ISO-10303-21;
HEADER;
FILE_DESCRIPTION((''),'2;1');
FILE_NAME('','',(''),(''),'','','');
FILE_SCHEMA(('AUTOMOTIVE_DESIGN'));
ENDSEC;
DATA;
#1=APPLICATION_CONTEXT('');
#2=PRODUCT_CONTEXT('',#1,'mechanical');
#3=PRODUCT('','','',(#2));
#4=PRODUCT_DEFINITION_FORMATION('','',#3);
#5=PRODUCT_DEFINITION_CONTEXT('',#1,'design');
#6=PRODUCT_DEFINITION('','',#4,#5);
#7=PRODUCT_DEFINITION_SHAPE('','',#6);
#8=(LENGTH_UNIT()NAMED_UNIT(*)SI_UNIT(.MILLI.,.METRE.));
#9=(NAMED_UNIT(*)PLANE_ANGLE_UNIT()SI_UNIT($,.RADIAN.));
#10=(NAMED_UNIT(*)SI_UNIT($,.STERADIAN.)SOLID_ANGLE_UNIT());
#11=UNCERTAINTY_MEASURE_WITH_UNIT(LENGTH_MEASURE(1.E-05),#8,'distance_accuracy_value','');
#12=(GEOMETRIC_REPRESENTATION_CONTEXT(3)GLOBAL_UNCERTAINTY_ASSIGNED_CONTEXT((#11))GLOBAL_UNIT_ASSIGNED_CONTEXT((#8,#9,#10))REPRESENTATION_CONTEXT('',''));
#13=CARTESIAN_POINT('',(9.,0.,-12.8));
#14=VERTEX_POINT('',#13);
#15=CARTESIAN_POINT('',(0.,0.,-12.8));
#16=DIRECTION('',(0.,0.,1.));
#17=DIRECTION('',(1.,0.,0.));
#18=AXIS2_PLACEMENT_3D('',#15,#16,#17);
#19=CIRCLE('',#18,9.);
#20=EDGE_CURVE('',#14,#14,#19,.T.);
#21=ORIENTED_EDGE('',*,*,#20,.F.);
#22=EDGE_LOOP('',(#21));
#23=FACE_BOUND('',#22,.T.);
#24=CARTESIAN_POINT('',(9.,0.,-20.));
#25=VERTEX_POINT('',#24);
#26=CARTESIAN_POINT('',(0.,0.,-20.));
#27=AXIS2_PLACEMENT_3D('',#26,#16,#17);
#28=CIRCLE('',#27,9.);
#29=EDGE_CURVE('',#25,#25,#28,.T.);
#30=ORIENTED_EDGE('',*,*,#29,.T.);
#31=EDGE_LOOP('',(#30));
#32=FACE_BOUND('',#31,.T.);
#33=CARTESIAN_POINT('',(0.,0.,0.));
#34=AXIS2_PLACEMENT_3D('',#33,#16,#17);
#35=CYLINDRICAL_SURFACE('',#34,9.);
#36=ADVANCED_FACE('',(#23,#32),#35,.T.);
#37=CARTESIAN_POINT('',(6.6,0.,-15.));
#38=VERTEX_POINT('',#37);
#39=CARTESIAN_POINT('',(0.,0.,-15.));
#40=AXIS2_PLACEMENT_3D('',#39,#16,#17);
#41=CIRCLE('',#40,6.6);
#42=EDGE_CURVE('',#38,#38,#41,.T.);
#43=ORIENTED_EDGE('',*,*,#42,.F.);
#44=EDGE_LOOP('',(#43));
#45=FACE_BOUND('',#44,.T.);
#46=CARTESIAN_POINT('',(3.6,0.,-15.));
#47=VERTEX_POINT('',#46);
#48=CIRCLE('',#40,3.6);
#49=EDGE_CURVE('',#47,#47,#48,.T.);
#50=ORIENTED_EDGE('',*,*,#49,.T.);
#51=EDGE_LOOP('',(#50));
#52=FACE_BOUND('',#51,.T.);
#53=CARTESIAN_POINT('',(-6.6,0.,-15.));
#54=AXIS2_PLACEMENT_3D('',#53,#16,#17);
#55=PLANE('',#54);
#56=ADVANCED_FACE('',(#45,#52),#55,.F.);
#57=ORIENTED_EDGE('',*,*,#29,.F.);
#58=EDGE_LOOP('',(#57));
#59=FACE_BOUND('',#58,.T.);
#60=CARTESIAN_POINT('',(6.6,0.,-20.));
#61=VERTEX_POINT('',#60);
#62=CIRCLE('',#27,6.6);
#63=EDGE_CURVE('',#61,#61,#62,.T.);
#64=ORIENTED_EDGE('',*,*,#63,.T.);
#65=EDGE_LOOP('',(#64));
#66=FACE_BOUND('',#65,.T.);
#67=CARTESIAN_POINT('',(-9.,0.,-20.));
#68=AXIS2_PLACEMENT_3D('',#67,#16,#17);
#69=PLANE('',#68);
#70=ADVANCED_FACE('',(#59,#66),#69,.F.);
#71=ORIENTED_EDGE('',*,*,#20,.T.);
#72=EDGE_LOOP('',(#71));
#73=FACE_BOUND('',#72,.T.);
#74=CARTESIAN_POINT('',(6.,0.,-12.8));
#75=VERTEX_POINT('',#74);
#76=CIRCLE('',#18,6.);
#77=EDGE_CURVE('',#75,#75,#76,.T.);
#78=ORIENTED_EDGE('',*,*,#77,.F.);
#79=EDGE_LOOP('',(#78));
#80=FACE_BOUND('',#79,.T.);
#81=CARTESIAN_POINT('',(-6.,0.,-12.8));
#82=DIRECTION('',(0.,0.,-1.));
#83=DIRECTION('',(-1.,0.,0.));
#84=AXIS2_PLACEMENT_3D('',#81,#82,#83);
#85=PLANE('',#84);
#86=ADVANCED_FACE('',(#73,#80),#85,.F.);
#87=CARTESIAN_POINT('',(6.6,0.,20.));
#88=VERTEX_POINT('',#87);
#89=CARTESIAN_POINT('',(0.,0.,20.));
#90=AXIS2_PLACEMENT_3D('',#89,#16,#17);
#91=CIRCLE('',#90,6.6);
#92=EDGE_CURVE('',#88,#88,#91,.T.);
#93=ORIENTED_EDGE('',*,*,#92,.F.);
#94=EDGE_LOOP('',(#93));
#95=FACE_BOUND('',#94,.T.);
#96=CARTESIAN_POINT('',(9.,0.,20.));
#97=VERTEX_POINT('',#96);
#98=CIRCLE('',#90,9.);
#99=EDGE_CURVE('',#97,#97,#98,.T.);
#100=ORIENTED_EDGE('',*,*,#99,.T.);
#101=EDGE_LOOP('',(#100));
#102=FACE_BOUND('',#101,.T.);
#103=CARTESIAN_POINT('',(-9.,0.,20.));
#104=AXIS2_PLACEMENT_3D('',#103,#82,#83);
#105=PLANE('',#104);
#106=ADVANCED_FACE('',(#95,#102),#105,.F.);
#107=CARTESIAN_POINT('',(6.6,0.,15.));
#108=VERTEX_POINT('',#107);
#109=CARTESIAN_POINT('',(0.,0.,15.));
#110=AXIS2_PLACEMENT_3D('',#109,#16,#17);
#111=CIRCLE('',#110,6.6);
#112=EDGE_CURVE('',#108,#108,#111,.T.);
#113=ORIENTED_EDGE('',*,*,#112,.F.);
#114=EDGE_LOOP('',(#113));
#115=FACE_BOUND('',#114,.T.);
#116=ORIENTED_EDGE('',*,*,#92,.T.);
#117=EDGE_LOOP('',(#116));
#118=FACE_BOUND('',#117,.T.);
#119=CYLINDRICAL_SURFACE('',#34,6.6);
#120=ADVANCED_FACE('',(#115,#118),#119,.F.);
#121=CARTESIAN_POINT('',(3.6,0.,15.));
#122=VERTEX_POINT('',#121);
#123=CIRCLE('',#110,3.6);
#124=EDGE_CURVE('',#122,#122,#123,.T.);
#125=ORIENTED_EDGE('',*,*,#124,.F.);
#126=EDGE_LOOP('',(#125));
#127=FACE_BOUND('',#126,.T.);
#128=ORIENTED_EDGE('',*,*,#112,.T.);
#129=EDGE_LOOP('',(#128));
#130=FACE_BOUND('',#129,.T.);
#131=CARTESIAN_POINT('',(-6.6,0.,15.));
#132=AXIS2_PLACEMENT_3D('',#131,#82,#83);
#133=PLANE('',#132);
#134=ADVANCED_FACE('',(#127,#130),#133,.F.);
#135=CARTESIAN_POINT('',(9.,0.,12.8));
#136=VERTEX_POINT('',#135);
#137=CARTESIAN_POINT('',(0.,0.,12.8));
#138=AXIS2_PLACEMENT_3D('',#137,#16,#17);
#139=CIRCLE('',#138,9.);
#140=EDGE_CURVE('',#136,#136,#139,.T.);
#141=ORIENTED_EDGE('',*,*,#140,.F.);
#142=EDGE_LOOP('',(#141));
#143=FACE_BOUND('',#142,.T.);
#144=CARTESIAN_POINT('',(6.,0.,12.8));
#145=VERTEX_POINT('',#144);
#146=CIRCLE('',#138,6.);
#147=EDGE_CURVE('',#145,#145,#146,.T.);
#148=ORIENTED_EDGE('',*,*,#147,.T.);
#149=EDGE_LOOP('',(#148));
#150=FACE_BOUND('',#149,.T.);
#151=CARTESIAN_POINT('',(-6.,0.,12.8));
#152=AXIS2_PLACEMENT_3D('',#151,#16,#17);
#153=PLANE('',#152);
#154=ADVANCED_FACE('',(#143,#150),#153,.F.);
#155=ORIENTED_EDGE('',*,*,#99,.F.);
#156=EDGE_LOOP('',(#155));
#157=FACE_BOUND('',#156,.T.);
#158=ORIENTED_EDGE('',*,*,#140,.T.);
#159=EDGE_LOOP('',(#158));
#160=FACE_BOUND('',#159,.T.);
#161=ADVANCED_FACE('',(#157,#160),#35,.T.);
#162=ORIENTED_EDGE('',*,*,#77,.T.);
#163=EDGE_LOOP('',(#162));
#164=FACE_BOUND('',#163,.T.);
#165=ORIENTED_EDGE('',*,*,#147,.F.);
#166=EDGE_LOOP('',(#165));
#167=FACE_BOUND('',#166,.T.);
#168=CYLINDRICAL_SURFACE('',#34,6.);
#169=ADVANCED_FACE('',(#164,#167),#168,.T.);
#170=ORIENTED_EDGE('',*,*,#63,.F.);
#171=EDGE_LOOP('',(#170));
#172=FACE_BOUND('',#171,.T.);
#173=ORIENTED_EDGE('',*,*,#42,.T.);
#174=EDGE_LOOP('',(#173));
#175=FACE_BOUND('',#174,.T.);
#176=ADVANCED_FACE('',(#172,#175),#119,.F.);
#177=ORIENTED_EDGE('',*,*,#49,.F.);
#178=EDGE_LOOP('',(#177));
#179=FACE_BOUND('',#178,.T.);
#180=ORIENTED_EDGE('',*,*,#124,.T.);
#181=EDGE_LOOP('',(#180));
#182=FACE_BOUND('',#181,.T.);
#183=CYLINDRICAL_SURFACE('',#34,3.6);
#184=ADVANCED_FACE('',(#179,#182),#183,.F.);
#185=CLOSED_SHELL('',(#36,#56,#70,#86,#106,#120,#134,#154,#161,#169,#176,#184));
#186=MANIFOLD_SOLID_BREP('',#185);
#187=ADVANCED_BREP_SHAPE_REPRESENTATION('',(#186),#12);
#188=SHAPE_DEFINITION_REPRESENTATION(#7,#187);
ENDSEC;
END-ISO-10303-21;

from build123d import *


with BuildPart() as part:
    # Sketch1 → Revolve1 (revolve)
    with BuildSketch(Plane(origin=(0, 0, 0), x_dir=(1, 0, 0), z_dir=(0, 1, 0)), mode=Mode.PRIVATE) as revolve1_sk:
        Polygon((-6, -12.8), (-6, 12.8), (-9, 12.8), (-9, 20), (-6.6, 20), (-6.6, 15), (-3.6, 15), (-3.6, -15), (-6.6, -15), (-6.6, -20), (-9, -20), (-9, -12.8), align=None)
    revolve(revolve1_sk.sketch.rotate(Axis((0, 0, 0), (0, 0, -1)), 180), axis=Axis((0, 0, 0), (0, 0, -1)))


solid = part.part
